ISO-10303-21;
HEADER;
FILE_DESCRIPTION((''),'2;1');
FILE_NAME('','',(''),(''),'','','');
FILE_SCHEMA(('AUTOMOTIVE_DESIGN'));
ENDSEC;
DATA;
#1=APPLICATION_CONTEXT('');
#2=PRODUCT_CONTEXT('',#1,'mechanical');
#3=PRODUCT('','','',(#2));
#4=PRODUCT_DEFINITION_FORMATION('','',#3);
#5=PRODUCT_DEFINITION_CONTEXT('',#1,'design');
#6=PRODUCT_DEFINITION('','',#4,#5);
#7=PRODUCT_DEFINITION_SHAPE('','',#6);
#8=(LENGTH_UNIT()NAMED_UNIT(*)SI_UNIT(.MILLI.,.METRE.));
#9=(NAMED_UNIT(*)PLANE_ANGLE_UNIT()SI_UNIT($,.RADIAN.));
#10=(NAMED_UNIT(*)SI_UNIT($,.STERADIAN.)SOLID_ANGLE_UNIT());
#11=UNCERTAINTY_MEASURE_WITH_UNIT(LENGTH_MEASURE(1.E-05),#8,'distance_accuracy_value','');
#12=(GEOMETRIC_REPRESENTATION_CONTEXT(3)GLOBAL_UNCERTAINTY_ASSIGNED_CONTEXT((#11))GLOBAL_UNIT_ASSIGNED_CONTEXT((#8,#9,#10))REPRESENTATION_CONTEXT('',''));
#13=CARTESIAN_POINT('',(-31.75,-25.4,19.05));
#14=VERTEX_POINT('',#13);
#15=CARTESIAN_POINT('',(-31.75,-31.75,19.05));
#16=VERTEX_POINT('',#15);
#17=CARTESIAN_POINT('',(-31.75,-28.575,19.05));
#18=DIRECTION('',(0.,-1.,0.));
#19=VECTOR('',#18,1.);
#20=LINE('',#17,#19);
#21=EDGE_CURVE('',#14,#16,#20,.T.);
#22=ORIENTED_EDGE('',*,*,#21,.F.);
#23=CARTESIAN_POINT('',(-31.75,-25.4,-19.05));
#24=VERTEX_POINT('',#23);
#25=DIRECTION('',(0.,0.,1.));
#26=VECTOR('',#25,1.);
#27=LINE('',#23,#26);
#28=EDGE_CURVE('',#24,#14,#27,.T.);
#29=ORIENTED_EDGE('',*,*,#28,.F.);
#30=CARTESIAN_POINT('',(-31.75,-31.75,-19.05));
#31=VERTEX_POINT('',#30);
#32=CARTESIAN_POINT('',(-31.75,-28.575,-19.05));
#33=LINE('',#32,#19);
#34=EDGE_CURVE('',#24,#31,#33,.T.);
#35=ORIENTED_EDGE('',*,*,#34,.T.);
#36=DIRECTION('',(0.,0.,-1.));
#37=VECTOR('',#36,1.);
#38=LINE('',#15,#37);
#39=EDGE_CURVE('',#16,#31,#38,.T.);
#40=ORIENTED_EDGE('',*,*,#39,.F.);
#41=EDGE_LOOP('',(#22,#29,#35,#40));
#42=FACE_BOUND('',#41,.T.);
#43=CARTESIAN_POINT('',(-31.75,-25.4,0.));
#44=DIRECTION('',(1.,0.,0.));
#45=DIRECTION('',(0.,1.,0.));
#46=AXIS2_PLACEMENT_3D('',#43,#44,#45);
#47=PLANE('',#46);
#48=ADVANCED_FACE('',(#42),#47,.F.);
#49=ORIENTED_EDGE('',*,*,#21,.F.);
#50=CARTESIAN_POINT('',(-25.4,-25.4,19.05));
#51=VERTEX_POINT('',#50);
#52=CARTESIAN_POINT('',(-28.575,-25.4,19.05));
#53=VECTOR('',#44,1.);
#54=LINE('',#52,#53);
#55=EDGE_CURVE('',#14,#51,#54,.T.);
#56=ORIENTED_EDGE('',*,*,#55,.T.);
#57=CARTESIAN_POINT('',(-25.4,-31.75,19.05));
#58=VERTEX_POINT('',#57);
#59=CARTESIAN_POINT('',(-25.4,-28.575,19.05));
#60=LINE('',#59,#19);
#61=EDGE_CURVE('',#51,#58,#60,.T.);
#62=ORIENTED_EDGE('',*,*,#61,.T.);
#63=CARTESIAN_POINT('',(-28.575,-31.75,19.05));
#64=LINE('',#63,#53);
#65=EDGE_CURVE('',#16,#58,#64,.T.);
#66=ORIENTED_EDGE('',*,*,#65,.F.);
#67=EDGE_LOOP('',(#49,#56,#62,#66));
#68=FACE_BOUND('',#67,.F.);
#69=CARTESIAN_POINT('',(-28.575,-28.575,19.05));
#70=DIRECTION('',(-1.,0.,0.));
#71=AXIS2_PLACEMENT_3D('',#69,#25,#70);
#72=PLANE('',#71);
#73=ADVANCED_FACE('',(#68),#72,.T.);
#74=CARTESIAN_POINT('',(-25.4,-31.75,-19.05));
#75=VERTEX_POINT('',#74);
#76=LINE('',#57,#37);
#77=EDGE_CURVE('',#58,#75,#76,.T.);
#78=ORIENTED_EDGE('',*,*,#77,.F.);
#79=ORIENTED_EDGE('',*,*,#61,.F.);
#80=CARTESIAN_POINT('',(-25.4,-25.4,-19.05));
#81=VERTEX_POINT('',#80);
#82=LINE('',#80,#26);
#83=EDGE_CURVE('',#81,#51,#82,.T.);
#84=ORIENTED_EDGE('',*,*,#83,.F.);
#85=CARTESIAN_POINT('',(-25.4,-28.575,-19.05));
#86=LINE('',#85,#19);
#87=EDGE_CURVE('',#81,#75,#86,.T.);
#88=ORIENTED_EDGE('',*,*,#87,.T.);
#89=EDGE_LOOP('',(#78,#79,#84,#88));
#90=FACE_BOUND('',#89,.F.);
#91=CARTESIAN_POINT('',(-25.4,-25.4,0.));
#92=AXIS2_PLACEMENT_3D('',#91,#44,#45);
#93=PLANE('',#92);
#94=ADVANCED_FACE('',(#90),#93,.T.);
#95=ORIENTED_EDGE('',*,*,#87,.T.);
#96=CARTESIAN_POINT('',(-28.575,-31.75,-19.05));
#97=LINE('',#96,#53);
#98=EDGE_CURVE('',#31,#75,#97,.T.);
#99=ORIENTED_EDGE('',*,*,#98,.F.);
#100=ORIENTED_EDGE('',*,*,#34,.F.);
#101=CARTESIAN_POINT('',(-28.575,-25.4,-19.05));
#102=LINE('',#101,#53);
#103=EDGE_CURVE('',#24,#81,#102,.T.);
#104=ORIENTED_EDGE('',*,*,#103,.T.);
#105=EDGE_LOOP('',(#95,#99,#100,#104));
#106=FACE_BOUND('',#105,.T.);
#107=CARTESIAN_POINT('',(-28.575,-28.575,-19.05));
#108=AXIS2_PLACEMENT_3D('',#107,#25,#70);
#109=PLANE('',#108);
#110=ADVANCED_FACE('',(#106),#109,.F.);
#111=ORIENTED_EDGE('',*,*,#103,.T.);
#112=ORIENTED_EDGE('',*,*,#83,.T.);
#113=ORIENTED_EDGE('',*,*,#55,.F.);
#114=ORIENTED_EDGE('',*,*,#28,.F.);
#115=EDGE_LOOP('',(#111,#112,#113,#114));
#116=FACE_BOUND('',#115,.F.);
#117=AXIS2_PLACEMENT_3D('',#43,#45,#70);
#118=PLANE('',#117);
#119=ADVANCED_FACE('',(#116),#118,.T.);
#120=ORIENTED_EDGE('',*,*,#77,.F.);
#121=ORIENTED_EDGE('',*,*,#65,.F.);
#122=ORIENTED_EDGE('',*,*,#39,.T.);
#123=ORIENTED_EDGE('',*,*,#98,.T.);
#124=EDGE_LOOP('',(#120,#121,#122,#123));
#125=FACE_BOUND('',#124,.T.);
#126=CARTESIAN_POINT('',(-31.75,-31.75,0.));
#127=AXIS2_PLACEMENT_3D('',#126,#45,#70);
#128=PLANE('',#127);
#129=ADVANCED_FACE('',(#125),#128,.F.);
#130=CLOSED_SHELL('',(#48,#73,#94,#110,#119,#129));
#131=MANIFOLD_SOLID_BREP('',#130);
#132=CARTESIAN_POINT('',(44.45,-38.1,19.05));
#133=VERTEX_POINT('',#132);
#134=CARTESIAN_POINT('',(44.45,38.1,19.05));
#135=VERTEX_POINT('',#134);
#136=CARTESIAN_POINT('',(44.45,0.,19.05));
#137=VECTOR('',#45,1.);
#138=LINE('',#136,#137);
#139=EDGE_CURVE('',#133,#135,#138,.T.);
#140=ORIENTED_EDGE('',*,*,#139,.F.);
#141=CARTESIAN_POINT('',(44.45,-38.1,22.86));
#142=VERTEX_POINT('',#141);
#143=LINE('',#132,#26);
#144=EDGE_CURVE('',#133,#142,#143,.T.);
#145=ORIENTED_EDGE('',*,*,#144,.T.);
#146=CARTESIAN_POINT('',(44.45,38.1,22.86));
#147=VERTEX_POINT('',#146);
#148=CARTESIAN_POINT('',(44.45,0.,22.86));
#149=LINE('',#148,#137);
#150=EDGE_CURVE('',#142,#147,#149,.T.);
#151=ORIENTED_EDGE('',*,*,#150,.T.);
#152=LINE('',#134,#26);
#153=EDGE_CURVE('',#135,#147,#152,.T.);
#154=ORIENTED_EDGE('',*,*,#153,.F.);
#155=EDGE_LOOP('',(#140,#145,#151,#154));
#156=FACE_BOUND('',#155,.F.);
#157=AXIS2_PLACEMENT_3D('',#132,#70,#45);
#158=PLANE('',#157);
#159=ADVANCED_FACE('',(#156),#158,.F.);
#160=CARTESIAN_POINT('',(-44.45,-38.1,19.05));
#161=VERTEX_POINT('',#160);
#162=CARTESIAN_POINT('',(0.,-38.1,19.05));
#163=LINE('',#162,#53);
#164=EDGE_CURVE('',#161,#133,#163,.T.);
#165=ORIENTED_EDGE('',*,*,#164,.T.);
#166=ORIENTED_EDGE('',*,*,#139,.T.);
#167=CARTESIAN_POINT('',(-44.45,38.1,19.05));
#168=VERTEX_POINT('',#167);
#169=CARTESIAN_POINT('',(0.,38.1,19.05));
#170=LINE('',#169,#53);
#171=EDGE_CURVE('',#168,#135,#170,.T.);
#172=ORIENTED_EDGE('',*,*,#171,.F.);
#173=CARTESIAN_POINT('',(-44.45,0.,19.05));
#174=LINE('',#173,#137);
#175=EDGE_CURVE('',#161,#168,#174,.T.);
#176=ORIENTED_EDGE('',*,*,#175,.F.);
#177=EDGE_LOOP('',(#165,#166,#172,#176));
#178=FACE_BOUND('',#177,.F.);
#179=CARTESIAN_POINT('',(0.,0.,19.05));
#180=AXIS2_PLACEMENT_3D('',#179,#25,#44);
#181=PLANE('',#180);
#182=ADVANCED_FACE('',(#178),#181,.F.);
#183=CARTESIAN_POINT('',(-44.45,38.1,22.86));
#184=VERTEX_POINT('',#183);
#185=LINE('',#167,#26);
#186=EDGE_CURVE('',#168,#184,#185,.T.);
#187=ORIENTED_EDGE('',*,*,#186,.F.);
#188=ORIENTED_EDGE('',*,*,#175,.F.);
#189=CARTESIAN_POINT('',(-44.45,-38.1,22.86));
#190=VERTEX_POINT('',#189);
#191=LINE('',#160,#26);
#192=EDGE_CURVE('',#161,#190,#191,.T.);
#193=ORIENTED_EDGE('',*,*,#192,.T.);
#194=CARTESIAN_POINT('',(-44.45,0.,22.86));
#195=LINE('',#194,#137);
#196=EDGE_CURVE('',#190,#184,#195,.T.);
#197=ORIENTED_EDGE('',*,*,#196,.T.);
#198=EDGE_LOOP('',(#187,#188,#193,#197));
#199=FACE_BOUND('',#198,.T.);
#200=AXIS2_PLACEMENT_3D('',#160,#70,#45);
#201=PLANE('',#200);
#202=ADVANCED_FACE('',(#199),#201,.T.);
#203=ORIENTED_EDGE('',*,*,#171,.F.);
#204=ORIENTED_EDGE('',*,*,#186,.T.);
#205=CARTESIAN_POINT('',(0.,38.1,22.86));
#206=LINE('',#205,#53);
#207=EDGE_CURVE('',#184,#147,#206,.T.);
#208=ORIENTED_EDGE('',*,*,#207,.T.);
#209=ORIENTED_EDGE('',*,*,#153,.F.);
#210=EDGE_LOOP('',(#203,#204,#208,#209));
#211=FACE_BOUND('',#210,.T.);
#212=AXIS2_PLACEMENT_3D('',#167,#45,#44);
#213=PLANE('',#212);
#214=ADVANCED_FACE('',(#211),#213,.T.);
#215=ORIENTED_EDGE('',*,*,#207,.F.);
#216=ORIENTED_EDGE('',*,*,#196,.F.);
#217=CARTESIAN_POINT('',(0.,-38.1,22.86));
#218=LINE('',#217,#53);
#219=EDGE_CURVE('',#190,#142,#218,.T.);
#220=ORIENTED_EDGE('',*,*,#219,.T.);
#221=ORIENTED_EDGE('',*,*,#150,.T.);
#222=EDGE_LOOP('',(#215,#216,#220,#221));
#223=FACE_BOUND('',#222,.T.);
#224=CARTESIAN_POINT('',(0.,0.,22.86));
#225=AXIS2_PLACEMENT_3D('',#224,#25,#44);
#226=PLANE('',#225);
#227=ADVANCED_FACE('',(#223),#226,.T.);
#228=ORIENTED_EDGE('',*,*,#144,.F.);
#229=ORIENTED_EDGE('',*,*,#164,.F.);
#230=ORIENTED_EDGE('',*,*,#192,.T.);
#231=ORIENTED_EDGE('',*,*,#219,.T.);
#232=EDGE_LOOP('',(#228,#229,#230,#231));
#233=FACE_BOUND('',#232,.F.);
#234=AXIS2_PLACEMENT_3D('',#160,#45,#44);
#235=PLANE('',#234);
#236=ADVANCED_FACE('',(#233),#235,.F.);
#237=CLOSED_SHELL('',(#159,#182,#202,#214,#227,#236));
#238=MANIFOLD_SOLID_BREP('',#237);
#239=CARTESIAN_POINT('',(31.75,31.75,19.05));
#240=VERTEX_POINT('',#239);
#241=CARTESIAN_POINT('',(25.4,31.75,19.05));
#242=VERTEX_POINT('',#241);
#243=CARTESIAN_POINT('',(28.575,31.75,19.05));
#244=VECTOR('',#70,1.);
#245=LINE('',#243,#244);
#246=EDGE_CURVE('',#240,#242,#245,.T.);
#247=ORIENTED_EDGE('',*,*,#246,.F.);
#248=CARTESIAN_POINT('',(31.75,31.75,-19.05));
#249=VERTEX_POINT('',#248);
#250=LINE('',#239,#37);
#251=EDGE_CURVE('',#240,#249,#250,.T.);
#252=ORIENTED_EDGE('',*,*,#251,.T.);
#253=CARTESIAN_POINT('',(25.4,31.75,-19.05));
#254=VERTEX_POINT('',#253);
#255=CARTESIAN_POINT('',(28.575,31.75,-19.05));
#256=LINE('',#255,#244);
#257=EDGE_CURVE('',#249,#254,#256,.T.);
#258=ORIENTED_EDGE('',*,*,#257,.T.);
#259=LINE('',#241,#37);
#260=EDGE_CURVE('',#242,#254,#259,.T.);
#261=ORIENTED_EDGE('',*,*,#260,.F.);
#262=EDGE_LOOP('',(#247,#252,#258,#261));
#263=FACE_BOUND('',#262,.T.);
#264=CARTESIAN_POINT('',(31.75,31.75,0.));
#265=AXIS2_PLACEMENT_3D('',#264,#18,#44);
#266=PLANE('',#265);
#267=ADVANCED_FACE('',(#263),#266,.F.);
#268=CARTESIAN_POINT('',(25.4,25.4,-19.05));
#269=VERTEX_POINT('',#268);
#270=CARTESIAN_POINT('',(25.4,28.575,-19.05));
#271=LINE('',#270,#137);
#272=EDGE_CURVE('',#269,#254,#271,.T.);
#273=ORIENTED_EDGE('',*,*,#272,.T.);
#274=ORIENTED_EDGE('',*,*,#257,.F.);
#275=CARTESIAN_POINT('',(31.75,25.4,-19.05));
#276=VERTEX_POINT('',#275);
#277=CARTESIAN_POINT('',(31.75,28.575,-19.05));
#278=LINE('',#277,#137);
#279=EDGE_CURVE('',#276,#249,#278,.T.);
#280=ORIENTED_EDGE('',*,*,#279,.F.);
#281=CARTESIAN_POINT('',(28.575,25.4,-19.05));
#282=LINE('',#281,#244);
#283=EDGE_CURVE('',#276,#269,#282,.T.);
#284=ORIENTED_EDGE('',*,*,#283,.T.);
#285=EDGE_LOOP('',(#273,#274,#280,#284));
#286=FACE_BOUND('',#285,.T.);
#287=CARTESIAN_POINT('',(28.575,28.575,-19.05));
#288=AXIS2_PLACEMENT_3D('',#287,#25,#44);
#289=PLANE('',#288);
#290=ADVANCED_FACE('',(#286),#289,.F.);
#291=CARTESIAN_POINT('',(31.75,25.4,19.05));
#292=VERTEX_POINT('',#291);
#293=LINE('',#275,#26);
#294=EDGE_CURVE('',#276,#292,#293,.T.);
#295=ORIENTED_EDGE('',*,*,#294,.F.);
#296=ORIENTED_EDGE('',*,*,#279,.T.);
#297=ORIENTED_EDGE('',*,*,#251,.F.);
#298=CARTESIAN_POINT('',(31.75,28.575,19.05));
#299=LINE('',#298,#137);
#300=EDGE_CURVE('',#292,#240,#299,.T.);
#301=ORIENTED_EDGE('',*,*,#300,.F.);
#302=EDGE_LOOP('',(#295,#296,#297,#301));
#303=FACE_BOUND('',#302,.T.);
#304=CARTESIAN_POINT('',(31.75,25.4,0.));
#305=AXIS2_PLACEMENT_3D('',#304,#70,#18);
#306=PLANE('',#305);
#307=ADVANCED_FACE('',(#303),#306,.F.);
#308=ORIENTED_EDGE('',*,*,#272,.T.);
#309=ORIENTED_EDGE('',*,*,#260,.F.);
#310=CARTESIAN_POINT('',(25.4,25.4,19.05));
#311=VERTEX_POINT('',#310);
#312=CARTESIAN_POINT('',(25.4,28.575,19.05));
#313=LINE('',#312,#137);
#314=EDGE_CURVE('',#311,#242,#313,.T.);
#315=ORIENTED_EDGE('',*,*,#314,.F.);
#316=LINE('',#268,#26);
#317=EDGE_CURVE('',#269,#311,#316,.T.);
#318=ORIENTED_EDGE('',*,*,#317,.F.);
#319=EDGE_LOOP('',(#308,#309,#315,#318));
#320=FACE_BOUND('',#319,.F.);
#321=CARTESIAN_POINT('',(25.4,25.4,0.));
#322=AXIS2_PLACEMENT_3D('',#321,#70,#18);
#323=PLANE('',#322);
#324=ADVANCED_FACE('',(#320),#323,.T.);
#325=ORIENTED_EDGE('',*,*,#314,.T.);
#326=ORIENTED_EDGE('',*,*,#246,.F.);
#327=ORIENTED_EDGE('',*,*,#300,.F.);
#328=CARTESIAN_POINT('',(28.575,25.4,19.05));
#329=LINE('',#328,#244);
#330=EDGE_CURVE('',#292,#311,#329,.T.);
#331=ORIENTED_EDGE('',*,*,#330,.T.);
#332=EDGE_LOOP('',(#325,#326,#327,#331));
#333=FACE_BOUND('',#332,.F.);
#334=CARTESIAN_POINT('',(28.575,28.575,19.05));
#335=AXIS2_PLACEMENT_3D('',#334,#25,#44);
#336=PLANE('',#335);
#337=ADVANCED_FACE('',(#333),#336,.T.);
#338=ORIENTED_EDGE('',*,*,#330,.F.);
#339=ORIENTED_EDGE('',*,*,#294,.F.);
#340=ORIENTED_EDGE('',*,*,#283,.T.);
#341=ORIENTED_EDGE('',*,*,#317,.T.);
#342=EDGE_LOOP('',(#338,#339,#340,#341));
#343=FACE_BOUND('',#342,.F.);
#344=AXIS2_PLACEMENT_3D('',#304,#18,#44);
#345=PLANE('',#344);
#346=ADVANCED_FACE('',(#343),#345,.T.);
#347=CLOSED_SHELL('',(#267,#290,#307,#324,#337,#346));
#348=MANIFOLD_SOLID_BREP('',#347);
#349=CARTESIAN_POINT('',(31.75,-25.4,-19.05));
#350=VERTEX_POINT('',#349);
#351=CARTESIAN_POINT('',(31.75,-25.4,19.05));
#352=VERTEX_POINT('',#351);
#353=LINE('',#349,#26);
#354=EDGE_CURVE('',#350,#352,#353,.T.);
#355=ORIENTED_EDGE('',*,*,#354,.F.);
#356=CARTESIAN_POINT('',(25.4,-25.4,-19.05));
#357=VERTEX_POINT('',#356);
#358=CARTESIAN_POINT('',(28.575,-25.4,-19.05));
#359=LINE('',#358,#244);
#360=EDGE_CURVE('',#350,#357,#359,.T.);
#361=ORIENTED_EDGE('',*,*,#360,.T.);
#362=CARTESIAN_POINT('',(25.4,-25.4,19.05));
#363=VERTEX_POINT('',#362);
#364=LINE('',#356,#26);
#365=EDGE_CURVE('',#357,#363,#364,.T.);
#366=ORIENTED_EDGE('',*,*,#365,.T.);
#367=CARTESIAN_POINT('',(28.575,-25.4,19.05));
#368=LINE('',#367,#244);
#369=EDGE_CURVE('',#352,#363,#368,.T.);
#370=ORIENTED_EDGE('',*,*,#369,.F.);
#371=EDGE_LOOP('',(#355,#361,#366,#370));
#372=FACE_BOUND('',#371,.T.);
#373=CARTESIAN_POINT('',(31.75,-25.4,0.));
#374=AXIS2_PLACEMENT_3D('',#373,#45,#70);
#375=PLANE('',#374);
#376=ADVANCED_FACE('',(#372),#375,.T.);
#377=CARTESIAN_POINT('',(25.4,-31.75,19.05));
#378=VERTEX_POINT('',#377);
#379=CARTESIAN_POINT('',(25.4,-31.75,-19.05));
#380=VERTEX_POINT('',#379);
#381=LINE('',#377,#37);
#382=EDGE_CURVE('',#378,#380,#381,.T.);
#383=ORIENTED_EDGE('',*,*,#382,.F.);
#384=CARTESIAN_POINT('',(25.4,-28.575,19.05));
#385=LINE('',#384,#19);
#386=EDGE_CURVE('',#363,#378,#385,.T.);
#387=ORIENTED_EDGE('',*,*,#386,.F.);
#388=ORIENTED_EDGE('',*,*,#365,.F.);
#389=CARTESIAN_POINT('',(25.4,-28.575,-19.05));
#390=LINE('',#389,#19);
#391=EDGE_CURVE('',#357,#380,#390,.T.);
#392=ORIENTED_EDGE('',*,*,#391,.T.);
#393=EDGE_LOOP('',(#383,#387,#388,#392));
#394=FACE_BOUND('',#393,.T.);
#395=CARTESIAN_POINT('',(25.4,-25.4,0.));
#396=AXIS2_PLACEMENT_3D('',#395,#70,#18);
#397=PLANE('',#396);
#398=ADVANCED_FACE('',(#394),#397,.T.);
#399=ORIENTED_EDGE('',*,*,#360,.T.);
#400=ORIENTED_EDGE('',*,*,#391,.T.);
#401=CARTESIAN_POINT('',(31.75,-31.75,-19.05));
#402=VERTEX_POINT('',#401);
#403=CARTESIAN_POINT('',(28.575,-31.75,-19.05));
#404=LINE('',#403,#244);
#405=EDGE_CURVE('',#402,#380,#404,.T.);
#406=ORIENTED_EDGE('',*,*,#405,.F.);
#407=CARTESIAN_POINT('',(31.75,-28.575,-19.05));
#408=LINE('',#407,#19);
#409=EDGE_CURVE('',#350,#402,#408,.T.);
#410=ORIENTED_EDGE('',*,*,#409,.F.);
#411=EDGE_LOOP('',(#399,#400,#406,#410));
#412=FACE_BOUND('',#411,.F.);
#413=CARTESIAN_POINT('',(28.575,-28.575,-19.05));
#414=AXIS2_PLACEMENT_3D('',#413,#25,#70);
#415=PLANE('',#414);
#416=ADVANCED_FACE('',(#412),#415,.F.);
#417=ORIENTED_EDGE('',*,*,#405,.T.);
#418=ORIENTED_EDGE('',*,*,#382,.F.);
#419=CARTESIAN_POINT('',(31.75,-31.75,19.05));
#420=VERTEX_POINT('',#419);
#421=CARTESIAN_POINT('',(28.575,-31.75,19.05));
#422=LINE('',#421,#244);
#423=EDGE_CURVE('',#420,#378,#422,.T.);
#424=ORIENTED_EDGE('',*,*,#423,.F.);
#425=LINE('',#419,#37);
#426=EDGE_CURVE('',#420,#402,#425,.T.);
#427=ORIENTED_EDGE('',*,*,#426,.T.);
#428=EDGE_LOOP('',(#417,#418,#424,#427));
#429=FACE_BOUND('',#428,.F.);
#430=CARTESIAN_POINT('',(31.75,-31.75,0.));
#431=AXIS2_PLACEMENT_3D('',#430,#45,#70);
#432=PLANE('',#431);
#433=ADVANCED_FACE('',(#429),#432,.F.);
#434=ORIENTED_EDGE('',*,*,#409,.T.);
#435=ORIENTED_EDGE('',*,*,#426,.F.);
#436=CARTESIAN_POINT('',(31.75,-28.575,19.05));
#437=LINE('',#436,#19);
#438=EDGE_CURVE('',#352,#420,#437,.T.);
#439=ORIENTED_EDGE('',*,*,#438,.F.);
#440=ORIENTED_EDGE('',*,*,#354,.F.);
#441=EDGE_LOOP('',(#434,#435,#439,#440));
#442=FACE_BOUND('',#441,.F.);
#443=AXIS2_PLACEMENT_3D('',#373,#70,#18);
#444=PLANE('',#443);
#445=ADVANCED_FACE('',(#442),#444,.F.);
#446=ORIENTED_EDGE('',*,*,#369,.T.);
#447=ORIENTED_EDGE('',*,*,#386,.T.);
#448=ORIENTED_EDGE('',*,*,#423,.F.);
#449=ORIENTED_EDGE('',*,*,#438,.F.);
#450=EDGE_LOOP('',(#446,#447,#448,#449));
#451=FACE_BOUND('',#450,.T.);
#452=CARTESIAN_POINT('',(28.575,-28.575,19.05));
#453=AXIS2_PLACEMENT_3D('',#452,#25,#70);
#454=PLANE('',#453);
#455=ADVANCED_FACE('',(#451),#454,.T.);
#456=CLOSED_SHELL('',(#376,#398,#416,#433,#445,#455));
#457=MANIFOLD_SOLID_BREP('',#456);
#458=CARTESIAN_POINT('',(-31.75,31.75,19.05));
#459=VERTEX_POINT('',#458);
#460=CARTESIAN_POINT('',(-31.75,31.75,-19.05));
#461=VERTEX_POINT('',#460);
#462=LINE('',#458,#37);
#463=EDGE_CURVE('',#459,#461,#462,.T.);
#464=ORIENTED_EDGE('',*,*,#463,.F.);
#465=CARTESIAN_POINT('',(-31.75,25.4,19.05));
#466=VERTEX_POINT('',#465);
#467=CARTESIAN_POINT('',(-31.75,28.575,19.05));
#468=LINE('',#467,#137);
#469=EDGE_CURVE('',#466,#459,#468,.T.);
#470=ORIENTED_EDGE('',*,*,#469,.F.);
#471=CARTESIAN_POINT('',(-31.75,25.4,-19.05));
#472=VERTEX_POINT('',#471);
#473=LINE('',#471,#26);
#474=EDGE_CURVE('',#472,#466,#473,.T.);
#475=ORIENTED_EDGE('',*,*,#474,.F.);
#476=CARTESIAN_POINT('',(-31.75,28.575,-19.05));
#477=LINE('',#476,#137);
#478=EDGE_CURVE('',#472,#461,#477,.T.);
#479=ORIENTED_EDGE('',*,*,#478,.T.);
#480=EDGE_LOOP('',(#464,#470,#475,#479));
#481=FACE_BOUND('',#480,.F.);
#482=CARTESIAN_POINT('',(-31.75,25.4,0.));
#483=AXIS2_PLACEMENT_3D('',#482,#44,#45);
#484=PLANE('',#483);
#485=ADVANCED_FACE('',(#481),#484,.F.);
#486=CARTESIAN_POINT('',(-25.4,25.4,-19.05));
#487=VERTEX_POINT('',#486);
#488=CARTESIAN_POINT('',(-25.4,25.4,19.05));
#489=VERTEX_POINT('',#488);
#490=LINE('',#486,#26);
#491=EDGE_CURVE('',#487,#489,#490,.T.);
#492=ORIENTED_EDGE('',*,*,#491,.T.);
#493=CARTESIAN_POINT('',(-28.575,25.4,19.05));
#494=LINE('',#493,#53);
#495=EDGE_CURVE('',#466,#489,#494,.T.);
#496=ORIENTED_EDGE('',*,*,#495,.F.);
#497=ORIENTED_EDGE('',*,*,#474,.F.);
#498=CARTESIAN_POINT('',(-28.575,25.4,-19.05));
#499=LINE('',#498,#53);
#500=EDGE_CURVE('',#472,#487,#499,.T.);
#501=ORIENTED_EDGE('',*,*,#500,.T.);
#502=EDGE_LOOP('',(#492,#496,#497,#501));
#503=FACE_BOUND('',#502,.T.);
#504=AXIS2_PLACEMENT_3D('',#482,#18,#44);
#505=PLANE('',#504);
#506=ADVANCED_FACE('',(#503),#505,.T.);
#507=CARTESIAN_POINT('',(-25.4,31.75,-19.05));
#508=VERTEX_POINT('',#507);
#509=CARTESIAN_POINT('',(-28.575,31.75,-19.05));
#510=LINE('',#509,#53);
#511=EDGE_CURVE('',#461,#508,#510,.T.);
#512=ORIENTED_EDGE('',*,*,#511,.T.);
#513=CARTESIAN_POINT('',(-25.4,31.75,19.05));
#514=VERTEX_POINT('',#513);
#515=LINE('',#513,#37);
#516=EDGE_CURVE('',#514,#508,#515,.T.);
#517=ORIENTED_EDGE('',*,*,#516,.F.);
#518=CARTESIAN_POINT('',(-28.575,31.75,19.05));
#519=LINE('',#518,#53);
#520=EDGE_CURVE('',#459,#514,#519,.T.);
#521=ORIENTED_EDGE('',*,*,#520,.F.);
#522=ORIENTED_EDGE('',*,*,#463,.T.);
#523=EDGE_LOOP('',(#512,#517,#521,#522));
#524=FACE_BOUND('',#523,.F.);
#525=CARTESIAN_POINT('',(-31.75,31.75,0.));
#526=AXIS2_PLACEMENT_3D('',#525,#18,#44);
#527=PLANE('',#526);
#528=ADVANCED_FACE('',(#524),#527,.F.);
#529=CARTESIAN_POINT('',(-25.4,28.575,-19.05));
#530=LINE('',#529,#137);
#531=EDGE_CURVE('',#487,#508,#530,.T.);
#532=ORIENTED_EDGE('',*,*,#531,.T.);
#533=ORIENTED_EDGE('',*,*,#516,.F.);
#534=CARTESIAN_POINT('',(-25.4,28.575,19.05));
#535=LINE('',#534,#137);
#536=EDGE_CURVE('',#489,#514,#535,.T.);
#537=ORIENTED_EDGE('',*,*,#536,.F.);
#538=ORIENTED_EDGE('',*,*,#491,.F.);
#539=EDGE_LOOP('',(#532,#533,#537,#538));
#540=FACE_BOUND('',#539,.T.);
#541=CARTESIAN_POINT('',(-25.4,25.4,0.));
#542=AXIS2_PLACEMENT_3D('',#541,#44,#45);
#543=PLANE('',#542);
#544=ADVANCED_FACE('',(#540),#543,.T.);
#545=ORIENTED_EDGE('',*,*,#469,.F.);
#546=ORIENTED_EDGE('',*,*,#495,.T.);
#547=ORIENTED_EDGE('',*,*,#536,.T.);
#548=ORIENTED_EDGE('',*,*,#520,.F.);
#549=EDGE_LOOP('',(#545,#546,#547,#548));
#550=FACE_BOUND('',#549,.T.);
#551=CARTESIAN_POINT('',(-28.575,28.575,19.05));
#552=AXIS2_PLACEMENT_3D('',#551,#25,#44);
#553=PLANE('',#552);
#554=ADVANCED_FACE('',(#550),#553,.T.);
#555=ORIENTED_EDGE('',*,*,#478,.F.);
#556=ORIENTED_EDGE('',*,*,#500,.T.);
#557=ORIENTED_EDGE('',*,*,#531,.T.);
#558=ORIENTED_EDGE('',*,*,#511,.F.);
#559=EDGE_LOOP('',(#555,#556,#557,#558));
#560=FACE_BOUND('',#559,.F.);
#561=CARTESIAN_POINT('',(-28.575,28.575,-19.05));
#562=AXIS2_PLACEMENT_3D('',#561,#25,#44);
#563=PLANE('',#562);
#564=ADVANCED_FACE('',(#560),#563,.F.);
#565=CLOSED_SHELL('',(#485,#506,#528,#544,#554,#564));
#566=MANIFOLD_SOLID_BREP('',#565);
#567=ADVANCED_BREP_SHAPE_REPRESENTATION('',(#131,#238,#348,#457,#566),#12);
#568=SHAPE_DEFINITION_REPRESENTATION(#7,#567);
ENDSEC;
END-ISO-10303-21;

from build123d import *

# Parameters (mm, degrees)
F0_W     = 6.35
F0_H     = 6.35
F1_DEPTH = 19.05
F4_W     = 88.9
F4_H     = 76.2
F4_W_2   = 6.35
F4_H_2   = 6.35
F5_DEPTH = 3.81


with BuildPart() as f1:
    # F0 (on Top) → F1 (new body, symmetric)
    with BuildSketch(Plane.XY):
        with Locations((-28.575, 28.575)):
            Rectangle(F0_W, F0_H)
    extrude(amount=F1_DEPTH, both=True)


with BuildPart() as f2_1:
    # F2: instance of F1
    add(f1.part.mirror(Plane.YZ))


with BuildPart() as f3_1:
    # F3: instance of F1
    add(f1.part.mirror(Plane.XZ))


with BuildPart() as f3_2:
    # F3: instance of F2_1
    add(f2_1.part.mirror(Plane.XZ))


with BuildPart() as f5:
    # F4 (on face) → F5 (new body)
    with BuildSketch(Plane.XY.offset(19.05)):
        Rectangle(F4_W, F4_H)
        with Locations((-28.575, 28.575)):
            Rectangle(F4_W_2, F4_H_2, mode=Mode.SUBTRACT)
        with Locations((-28.575, 28.575)):
            Rectangle(F4_W_2, F4_H_2)
    extrude(amount=F5_DEPTH)


solid = Compound([f1.part, f2_1.part, f3_1.part, f3_2.part, f5.part])
